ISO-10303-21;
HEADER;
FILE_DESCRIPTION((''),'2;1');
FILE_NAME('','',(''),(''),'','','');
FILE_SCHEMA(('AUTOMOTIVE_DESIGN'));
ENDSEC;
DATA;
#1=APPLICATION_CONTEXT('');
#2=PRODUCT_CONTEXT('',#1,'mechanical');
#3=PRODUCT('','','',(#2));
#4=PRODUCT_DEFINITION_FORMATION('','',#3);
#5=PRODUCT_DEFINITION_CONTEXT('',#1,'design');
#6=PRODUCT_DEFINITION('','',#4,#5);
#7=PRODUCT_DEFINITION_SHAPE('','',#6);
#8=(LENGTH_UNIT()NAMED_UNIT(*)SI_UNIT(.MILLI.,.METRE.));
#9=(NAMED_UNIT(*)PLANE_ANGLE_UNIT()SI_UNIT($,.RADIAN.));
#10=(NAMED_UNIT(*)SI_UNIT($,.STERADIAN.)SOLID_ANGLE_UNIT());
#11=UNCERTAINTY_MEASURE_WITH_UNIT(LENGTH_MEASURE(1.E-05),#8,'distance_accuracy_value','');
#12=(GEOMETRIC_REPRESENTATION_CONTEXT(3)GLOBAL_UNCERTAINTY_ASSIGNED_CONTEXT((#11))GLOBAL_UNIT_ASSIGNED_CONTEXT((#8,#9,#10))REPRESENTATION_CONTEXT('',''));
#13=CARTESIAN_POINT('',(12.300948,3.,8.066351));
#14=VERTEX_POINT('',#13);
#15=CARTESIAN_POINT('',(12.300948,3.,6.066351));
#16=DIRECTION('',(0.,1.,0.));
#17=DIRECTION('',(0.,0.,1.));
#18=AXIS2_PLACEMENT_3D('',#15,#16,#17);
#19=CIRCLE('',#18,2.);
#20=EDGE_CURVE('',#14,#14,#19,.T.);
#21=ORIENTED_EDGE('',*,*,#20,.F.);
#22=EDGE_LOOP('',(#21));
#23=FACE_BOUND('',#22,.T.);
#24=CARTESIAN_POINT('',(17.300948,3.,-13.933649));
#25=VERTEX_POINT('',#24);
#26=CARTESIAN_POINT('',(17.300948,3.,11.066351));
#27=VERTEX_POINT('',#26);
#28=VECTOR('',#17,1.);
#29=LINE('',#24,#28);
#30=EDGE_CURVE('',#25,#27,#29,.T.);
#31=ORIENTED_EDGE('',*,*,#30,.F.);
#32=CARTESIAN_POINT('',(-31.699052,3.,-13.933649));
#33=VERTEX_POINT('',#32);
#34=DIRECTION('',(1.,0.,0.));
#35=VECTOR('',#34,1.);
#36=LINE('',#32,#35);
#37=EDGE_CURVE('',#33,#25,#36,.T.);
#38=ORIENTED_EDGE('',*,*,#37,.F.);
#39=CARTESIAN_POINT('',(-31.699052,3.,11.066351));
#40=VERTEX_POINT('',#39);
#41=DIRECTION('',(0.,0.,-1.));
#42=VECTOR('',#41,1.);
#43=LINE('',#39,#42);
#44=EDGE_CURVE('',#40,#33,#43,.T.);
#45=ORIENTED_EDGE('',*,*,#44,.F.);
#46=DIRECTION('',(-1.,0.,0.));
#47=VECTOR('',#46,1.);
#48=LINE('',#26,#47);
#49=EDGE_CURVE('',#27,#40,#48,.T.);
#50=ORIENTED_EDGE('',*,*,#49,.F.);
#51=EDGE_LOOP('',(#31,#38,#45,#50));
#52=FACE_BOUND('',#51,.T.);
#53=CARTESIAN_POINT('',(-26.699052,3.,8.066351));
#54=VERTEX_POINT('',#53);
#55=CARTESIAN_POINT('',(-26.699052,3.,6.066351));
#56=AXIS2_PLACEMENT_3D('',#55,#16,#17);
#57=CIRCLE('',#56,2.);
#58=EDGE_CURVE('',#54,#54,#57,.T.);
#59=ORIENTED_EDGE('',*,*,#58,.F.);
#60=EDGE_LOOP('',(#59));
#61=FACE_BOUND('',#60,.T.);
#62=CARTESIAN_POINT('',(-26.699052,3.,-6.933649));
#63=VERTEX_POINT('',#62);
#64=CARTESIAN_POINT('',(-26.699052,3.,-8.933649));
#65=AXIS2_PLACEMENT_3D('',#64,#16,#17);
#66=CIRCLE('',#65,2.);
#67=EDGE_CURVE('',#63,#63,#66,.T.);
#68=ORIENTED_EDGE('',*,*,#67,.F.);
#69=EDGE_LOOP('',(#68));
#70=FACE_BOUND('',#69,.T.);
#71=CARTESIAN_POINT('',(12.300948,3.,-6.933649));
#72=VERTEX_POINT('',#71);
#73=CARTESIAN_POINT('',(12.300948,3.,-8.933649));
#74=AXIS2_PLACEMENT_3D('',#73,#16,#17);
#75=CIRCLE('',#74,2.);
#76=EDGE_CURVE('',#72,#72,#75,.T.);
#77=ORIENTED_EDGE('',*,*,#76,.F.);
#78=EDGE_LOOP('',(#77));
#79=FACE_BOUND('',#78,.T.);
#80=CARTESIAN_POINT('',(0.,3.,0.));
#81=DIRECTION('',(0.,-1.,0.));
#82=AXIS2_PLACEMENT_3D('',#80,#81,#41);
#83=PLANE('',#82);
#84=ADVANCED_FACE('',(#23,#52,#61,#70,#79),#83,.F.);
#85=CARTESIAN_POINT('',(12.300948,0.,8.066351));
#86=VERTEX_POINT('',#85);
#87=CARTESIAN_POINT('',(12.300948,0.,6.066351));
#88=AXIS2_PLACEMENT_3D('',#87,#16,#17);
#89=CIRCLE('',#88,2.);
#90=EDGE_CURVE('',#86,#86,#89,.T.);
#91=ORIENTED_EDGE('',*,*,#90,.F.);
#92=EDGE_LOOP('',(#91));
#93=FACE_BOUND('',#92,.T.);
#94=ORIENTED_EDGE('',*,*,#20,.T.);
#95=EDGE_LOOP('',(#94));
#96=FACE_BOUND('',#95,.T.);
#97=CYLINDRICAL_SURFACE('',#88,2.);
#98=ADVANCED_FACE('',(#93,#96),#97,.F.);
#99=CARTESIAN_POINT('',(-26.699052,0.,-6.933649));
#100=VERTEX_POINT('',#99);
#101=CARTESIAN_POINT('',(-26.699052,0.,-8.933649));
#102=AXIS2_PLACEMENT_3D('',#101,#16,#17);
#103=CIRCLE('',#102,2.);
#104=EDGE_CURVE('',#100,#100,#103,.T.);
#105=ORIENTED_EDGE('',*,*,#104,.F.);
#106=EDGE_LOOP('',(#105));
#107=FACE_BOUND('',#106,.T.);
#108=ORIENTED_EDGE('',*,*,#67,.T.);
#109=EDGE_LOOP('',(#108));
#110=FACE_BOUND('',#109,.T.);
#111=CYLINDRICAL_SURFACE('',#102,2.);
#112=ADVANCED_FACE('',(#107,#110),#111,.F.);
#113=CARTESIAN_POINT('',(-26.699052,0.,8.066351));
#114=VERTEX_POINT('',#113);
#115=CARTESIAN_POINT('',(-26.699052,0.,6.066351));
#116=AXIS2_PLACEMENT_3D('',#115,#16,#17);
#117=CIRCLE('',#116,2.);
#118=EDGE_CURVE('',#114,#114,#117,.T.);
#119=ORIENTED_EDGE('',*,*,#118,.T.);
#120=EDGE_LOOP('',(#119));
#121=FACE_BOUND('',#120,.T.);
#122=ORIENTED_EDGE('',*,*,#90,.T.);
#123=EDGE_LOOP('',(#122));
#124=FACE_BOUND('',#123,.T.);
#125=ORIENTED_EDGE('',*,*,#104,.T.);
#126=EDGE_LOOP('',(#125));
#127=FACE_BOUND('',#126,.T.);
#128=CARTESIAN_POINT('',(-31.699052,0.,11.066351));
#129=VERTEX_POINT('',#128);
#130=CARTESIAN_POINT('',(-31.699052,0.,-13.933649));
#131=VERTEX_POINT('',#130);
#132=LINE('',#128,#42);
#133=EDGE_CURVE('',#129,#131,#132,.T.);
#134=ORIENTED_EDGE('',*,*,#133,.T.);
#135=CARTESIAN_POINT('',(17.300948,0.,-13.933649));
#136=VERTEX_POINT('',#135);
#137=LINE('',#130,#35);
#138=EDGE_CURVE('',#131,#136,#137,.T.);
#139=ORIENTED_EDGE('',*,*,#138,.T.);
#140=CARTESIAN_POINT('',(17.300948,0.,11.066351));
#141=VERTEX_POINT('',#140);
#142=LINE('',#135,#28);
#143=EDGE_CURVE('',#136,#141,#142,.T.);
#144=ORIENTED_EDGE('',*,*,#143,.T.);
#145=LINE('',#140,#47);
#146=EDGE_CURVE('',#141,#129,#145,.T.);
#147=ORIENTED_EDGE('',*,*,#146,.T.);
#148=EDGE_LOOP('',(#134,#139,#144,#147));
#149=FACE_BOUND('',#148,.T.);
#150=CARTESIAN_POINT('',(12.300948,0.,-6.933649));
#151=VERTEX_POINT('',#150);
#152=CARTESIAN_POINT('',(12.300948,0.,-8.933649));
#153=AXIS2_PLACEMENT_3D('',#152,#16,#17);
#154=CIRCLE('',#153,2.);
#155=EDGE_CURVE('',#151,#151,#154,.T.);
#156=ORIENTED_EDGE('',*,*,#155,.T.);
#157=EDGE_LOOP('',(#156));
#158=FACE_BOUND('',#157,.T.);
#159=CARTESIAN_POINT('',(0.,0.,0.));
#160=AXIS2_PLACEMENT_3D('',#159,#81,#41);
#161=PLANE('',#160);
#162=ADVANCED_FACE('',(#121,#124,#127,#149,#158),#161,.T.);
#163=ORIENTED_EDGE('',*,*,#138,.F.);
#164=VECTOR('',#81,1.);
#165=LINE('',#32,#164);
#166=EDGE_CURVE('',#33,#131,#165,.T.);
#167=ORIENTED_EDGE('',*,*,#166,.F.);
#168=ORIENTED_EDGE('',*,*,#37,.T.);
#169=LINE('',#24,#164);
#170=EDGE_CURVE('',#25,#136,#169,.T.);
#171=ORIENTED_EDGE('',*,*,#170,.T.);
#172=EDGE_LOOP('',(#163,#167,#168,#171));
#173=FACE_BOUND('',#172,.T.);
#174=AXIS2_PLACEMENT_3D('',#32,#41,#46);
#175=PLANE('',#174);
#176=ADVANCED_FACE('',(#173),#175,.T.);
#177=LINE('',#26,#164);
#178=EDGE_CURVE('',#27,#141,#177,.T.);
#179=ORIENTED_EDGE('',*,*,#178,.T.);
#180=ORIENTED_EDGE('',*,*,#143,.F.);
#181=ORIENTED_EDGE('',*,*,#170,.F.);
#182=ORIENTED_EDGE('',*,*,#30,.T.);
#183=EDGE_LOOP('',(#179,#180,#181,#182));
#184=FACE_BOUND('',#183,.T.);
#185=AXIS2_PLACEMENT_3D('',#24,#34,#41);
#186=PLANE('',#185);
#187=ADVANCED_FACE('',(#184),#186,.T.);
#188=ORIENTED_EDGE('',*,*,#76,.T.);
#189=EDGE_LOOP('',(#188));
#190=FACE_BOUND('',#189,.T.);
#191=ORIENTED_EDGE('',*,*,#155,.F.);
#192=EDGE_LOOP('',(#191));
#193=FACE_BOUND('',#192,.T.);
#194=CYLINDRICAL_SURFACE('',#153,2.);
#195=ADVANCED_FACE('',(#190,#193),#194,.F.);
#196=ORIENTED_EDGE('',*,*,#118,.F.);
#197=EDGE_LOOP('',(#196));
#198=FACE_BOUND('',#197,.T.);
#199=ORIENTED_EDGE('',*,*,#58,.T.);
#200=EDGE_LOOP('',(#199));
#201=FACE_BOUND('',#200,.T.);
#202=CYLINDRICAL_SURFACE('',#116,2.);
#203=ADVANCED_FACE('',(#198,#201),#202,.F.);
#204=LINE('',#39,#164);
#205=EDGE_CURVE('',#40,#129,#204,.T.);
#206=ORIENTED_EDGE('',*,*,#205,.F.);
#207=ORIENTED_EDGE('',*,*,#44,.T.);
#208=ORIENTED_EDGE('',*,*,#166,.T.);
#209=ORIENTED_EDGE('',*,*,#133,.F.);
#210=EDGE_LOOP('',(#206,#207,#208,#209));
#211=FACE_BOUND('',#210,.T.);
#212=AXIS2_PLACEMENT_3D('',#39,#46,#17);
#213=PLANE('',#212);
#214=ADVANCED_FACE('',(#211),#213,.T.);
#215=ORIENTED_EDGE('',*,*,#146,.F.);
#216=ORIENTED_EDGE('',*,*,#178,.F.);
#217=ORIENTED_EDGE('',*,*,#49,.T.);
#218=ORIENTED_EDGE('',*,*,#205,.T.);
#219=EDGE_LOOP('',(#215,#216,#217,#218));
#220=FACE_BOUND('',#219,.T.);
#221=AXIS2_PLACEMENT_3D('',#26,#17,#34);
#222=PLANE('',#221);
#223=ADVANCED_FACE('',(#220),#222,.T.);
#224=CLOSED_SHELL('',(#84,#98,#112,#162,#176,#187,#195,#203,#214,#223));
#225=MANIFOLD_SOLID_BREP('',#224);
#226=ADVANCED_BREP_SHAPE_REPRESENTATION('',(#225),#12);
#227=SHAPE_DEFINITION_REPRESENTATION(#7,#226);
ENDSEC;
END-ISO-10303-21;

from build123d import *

# Parameters (mm, degrees)
SKETCH2_W           = 49
SKETCH2_H           = 25
BOSS_EXTRUDE1_DEPTH = 3
SKETCH3_R           = 2
CUT_EXTRUDE1_DEPTH  = 3


with BuildPart() as part:
    # Sketch2 → Boss-Extrude1 (new body)
    with BuildSketch(Plane(origin=(0, 0, 0), x_dir=(1, 0, 0), z_dir=(0, 1, 0))):
        with Locations((-7.199052133, 1.433649289)):
            Rectangle(SKETCH2_W, SKETCH2_H)
    extrude(amount=BOSS_EXTRUDE1_DEPTH)

    # Sketch3 → Cut-Extrude1 (cut)
    with BuildSketch(Plane(origin=(0, 3, 0), x_dir=(1, 0, 0), z_dir=(0, 1, 0))):
        with Locations(Location((-26.699052133, 8.933649289, 0), (0, 0, 270))):
            Circle(SKETCH3_R)
        with Locations(Location((-26.699052133, -6.066350711, 0), (0, 0, 270))):
            Circle(SKETCH3_R)
        with Locations(Location((12.300947867, 8.933649289, 0), (0, 0, 270))):
            Circle(SKETCH3_R)
        with Locations(Location((12.300947867, -6.066350711, 0), (0, 0, 270))):
            Circle(SKETCH3_R)
    extrude(amount=-CUT_EXTRUDE1_DEPTH, mode=Mode.SUBTRACT)


solid = part.part
